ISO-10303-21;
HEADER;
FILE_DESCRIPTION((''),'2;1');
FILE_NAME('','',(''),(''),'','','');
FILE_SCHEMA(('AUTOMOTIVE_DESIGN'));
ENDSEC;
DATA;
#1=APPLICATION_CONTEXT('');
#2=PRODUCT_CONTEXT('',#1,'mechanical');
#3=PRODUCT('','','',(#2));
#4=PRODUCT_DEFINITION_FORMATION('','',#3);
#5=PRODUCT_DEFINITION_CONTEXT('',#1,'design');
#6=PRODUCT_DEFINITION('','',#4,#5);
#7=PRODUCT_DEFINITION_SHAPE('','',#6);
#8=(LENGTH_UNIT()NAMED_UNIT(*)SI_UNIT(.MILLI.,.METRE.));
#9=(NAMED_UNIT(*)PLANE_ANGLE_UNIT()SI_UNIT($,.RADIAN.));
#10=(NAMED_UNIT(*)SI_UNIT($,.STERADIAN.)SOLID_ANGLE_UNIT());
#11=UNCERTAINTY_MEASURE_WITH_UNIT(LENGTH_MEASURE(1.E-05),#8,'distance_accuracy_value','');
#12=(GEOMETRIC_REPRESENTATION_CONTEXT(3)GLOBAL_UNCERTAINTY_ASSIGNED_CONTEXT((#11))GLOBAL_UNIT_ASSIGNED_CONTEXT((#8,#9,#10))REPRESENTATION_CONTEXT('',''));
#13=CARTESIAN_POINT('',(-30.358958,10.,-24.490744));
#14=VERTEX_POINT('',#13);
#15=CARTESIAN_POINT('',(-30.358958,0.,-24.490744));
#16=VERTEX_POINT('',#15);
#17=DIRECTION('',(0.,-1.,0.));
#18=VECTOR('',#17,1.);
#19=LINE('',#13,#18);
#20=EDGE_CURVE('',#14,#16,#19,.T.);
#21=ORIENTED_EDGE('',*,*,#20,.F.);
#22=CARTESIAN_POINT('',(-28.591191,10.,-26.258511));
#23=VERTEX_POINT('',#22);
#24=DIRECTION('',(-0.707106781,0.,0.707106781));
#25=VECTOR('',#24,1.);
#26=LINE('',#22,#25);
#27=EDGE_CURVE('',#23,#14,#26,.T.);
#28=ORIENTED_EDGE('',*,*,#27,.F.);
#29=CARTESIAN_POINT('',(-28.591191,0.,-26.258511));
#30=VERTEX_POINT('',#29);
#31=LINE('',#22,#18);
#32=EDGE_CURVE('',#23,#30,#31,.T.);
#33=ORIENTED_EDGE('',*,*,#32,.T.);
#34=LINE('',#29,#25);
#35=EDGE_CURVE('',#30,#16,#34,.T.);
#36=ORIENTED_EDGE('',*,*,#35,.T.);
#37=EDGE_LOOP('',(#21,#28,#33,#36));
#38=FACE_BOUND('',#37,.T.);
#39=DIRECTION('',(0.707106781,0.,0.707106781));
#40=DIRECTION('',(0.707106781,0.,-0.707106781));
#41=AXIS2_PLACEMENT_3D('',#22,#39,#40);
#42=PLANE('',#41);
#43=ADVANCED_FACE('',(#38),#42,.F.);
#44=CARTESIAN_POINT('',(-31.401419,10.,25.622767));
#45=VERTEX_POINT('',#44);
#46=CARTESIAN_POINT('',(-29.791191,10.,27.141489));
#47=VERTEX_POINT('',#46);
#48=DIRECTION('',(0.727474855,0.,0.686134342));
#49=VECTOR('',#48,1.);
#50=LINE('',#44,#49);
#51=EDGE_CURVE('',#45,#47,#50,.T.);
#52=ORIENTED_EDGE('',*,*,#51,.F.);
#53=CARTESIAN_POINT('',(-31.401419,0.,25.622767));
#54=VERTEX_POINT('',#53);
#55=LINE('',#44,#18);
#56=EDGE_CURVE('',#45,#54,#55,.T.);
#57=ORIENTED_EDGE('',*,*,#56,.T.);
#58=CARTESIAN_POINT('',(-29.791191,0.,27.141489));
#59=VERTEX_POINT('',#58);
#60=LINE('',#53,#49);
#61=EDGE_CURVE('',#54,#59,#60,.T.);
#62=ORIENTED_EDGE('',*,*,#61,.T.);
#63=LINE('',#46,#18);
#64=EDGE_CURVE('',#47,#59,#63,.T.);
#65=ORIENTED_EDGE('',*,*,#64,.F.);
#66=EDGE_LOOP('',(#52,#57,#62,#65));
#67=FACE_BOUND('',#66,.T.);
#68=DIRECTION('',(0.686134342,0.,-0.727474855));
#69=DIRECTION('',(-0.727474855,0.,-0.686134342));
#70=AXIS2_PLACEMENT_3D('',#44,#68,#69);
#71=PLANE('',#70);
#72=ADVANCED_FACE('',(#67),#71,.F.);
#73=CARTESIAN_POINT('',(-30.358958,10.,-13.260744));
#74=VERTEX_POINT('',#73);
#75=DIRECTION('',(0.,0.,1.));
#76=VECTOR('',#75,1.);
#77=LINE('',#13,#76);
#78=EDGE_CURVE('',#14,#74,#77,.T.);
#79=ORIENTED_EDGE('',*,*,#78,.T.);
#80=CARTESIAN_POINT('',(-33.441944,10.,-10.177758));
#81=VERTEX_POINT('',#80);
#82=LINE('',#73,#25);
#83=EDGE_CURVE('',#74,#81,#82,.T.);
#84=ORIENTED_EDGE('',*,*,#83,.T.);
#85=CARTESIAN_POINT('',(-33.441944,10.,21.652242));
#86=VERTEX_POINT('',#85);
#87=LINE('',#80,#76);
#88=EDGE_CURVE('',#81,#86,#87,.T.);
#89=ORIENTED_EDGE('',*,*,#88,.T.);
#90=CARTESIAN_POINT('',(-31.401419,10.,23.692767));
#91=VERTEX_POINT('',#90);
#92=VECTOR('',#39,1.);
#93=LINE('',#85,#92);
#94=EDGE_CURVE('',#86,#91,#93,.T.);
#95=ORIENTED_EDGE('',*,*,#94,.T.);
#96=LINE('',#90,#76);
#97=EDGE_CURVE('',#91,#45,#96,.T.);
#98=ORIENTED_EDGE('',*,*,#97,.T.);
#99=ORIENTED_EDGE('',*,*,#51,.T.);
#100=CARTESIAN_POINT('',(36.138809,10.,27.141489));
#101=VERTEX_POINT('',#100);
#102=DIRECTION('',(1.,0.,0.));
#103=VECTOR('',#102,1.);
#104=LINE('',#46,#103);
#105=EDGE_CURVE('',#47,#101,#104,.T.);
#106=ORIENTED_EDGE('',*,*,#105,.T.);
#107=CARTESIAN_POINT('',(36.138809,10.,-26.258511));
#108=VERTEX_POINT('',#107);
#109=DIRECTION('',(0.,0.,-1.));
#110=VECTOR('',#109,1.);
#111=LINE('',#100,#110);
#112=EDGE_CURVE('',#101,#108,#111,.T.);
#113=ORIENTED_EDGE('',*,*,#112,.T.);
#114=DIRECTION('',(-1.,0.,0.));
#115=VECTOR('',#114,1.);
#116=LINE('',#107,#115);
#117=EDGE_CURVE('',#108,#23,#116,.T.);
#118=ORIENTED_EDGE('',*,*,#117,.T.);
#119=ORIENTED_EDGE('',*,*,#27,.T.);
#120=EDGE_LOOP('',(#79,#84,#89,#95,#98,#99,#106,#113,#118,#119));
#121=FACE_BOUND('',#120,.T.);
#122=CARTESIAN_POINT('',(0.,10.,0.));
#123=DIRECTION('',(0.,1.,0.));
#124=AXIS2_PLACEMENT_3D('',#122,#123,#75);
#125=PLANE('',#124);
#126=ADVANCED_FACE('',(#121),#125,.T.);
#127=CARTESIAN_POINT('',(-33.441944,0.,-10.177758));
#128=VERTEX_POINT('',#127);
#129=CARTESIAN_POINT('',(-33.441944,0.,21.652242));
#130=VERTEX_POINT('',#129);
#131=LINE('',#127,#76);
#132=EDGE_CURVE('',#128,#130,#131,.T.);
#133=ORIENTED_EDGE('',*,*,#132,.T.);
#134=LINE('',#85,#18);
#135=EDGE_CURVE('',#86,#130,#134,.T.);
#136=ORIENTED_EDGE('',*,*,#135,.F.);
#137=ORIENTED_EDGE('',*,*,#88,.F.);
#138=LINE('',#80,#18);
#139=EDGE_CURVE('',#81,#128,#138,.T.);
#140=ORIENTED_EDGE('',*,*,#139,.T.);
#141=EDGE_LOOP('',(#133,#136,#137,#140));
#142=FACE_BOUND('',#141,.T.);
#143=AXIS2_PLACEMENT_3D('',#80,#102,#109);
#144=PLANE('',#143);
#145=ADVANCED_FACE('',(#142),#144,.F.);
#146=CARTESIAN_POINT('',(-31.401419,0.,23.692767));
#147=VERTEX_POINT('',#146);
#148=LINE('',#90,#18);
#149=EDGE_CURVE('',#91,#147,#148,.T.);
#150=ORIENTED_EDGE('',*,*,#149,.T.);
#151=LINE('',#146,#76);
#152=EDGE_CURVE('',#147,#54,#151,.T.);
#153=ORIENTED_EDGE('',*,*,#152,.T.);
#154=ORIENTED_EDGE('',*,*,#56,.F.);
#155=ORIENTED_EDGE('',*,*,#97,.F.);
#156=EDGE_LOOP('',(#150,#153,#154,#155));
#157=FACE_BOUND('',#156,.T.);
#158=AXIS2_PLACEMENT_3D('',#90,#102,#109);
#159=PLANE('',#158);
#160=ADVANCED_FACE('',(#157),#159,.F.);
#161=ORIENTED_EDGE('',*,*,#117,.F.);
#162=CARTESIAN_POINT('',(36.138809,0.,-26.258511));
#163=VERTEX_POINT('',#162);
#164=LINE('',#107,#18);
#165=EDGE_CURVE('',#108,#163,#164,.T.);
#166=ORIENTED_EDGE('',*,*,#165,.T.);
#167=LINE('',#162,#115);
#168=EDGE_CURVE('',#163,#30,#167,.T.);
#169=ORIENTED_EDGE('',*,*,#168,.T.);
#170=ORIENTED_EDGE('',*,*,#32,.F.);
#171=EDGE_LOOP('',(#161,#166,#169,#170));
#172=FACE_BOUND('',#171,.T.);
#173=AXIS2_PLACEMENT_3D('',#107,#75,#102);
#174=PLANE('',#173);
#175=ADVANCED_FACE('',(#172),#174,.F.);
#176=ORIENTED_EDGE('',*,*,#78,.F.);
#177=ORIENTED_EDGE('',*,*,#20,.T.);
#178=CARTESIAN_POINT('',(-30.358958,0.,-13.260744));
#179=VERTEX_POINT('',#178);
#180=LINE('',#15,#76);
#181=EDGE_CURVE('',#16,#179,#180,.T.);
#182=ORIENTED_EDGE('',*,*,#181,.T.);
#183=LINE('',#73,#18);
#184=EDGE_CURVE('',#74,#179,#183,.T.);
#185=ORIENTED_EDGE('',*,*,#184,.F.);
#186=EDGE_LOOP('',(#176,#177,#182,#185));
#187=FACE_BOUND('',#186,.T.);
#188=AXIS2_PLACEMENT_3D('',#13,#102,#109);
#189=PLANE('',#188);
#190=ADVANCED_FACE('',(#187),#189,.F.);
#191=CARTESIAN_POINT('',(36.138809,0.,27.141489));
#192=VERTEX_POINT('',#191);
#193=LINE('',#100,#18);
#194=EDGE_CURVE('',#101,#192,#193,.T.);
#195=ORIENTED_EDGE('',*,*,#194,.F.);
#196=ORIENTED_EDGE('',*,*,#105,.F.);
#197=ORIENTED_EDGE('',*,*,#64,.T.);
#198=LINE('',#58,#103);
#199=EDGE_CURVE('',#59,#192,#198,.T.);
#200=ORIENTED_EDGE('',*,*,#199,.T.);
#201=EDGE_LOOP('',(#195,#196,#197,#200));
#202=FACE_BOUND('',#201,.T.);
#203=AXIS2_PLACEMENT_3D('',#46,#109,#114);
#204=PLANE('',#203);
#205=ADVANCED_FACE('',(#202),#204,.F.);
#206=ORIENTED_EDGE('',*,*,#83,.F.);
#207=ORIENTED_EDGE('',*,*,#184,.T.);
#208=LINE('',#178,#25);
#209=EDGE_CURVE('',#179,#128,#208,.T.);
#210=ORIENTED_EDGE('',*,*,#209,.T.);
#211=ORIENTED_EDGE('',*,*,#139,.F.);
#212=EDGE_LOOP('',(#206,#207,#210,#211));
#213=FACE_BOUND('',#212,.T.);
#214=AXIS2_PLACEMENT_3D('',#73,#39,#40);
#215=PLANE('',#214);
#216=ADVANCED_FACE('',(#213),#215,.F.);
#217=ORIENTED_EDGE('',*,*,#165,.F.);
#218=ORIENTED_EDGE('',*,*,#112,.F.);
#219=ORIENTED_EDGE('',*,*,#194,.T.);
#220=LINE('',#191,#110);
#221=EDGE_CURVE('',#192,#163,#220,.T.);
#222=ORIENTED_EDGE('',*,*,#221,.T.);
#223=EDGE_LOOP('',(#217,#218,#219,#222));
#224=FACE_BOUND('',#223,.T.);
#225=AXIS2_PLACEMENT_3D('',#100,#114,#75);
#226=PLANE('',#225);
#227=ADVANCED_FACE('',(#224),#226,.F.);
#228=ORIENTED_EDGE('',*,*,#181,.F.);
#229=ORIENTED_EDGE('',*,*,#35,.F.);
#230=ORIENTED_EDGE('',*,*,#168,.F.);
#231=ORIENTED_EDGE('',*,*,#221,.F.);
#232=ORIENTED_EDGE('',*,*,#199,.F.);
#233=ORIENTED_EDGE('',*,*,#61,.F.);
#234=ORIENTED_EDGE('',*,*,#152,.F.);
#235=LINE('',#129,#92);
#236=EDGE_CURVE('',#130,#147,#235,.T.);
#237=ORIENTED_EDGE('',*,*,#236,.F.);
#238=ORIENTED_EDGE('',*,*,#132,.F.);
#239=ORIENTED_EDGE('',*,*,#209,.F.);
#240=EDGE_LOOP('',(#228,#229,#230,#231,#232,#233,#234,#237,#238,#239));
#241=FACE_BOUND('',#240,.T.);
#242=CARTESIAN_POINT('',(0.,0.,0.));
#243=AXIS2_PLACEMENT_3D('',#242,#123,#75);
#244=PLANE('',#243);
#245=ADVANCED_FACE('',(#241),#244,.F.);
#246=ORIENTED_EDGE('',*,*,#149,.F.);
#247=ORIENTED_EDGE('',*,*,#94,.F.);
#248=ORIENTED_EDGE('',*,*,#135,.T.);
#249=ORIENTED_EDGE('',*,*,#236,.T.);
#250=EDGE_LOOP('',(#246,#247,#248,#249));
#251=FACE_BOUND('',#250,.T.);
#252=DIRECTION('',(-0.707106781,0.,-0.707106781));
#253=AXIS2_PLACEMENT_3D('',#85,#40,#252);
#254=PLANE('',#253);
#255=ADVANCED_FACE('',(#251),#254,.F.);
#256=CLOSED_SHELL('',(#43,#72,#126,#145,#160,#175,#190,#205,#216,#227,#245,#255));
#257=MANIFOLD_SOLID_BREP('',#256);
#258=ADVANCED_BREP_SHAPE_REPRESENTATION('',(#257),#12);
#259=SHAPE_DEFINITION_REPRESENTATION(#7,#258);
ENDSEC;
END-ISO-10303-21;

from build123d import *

# Parameters (mm, degrees)
BOSS_EXTRUDE1_DEPTH = 10


with BuildPart() as part:
    # Sketch1 → Boss-Extrude1 (new body)
    with BuildSketch(Plane(origin=(0, 0, 0), x_dir=(1, 0, 0), z_dir=(0, 1, 0))):
        Polygon((-28.591191439, 26.258510838), (-30.358958392, 24.490743885), (-30.358958392, 13.260743885), (-33.441943958, 10.177758319), (-33.441943958, -21.652241681), (-31.401418564, -23.692767075), (-31.401418564, -25.622767075), (-29.791191439, -27.141489162), (36.138808561, -27.141489162), (36.138808561, 26.258510838), align=None)
    extrude(amount=BOSS_EXTRUDE1_DEPTH)


solid = part.part
